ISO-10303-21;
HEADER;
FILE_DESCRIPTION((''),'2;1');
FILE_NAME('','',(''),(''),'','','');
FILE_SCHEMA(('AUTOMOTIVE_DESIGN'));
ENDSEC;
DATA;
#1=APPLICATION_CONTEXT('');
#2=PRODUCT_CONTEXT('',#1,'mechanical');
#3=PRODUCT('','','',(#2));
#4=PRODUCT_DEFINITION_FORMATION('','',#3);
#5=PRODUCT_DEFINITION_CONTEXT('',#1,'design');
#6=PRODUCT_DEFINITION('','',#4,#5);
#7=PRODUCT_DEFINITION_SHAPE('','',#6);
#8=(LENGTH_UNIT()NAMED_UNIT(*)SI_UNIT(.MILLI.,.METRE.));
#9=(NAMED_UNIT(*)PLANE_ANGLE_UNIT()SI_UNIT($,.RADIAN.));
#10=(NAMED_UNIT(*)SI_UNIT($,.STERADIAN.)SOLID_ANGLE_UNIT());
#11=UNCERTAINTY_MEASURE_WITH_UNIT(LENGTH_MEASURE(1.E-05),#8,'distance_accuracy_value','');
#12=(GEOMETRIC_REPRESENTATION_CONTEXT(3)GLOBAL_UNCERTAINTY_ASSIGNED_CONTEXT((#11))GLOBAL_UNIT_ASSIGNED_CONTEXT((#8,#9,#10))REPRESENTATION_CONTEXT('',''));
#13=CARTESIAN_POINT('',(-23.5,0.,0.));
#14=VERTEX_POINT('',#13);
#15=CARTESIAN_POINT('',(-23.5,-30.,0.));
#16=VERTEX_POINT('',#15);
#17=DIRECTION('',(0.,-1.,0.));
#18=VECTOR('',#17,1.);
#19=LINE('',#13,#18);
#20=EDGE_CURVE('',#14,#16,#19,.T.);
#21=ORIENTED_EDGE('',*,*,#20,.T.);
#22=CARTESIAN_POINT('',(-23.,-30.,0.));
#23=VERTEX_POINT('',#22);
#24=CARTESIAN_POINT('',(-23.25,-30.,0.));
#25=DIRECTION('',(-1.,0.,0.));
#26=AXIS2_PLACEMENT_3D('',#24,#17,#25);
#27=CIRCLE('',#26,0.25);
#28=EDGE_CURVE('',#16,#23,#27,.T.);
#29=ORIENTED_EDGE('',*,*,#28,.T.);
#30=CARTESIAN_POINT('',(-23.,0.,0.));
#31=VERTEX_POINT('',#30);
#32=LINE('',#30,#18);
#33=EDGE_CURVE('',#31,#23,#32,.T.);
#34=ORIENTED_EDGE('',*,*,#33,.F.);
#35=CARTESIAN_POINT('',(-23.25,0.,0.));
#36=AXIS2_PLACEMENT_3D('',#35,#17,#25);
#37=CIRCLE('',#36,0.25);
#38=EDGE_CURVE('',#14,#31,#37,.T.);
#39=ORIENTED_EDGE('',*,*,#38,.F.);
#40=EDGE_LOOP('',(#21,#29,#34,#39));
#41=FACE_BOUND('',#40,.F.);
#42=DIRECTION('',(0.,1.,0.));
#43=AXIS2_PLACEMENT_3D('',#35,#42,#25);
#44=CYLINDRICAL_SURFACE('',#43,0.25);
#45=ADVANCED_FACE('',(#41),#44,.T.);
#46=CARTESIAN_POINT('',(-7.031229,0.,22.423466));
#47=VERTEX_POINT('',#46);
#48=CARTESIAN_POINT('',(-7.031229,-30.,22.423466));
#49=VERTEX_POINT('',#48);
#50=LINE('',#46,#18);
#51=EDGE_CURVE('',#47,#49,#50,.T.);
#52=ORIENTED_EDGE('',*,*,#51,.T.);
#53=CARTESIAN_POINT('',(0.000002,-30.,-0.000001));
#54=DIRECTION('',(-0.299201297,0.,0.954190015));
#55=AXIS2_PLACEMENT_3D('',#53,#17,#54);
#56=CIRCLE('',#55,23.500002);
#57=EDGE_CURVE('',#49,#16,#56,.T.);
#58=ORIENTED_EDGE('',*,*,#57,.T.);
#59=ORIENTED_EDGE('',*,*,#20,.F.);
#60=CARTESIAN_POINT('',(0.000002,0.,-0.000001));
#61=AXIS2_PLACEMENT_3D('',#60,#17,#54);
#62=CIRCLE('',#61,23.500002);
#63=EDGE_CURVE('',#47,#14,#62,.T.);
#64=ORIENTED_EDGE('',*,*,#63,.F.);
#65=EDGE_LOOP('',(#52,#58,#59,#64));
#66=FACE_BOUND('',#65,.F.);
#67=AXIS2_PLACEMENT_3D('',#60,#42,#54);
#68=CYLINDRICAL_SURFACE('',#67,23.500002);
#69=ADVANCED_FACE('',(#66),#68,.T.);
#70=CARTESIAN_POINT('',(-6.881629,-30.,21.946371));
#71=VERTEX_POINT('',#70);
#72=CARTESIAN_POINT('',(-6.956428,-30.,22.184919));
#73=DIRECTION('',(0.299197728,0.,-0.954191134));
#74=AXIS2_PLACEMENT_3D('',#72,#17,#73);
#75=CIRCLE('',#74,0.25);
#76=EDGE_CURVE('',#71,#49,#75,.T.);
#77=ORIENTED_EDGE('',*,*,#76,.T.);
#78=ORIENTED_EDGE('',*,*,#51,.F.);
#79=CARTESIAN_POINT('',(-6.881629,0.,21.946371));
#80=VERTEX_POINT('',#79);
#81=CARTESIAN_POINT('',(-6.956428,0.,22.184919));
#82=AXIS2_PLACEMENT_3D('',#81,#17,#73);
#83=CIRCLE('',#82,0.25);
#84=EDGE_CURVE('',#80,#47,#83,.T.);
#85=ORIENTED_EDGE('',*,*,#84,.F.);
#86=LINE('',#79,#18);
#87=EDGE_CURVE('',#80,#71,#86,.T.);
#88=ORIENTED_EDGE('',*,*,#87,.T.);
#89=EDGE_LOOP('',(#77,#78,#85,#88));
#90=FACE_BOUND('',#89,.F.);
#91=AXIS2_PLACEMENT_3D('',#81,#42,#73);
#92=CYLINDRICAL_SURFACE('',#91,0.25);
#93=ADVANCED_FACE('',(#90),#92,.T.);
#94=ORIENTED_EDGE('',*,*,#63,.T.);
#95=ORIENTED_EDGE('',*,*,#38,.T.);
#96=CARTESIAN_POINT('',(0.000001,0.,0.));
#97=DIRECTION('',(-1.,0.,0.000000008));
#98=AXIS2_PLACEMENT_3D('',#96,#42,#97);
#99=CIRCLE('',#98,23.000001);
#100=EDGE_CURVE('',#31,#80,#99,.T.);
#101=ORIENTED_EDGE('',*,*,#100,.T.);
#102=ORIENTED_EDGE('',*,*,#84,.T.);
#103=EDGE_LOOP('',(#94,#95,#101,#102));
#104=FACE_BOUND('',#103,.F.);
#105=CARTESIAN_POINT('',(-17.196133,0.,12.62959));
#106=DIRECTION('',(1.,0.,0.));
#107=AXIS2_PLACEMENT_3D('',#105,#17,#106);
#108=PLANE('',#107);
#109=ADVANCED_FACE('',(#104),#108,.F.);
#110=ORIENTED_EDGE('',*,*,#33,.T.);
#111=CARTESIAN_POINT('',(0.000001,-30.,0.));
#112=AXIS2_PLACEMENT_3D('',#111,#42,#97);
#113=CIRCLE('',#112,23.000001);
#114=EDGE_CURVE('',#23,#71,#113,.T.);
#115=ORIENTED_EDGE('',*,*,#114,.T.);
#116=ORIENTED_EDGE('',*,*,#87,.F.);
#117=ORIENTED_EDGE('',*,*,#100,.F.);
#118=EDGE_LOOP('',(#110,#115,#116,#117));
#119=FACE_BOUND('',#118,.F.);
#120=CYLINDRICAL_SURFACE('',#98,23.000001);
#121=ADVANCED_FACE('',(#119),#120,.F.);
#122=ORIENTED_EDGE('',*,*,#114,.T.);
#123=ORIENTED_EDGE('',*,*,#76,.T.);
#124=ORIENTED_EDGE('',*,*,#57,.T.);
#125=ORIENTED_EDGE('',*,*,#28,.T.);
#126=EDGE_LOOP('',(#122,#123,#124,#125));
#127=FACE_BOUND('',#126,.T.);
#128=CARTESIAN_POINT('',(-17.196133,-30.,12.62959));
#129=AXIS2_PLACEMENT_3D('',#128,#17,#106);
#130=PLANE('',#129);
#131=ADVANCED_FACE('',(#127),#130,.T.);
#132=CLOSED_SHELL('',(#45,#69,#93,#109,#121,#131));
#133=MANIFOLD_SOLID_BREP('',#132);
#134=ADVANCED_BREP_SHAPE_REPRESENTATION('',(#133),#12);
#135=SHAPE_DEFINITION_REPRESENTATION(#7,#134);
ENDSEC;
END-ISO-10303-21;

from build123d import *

# Parameters (mm, degrees)
F1_DEPTH = 30


with BuildPart() as f1:
    # F0 (on Front) → F1 (new body)
    with BuildSketch(Plane.XZ):
        with BuildLine():
            ThreePointArc((-23, 0), (-18.537495, 13.614745), (-6.881629, 21.946371))
            ThreePointArc((-6.881629, 21.946371), (-6.717881, 22.259719), (-7.031229, 22.423466))
            ThreePointArc((-7.031229, 22.423466), (-18.940484, 13.910717), (-23.5, 0))
            ThreePointArc((-23.5, 0), (-23.25, -0.25), (-23, 0))
        make_face()
    extrude(amount=F1_DEPTH)


solid = f1.part
